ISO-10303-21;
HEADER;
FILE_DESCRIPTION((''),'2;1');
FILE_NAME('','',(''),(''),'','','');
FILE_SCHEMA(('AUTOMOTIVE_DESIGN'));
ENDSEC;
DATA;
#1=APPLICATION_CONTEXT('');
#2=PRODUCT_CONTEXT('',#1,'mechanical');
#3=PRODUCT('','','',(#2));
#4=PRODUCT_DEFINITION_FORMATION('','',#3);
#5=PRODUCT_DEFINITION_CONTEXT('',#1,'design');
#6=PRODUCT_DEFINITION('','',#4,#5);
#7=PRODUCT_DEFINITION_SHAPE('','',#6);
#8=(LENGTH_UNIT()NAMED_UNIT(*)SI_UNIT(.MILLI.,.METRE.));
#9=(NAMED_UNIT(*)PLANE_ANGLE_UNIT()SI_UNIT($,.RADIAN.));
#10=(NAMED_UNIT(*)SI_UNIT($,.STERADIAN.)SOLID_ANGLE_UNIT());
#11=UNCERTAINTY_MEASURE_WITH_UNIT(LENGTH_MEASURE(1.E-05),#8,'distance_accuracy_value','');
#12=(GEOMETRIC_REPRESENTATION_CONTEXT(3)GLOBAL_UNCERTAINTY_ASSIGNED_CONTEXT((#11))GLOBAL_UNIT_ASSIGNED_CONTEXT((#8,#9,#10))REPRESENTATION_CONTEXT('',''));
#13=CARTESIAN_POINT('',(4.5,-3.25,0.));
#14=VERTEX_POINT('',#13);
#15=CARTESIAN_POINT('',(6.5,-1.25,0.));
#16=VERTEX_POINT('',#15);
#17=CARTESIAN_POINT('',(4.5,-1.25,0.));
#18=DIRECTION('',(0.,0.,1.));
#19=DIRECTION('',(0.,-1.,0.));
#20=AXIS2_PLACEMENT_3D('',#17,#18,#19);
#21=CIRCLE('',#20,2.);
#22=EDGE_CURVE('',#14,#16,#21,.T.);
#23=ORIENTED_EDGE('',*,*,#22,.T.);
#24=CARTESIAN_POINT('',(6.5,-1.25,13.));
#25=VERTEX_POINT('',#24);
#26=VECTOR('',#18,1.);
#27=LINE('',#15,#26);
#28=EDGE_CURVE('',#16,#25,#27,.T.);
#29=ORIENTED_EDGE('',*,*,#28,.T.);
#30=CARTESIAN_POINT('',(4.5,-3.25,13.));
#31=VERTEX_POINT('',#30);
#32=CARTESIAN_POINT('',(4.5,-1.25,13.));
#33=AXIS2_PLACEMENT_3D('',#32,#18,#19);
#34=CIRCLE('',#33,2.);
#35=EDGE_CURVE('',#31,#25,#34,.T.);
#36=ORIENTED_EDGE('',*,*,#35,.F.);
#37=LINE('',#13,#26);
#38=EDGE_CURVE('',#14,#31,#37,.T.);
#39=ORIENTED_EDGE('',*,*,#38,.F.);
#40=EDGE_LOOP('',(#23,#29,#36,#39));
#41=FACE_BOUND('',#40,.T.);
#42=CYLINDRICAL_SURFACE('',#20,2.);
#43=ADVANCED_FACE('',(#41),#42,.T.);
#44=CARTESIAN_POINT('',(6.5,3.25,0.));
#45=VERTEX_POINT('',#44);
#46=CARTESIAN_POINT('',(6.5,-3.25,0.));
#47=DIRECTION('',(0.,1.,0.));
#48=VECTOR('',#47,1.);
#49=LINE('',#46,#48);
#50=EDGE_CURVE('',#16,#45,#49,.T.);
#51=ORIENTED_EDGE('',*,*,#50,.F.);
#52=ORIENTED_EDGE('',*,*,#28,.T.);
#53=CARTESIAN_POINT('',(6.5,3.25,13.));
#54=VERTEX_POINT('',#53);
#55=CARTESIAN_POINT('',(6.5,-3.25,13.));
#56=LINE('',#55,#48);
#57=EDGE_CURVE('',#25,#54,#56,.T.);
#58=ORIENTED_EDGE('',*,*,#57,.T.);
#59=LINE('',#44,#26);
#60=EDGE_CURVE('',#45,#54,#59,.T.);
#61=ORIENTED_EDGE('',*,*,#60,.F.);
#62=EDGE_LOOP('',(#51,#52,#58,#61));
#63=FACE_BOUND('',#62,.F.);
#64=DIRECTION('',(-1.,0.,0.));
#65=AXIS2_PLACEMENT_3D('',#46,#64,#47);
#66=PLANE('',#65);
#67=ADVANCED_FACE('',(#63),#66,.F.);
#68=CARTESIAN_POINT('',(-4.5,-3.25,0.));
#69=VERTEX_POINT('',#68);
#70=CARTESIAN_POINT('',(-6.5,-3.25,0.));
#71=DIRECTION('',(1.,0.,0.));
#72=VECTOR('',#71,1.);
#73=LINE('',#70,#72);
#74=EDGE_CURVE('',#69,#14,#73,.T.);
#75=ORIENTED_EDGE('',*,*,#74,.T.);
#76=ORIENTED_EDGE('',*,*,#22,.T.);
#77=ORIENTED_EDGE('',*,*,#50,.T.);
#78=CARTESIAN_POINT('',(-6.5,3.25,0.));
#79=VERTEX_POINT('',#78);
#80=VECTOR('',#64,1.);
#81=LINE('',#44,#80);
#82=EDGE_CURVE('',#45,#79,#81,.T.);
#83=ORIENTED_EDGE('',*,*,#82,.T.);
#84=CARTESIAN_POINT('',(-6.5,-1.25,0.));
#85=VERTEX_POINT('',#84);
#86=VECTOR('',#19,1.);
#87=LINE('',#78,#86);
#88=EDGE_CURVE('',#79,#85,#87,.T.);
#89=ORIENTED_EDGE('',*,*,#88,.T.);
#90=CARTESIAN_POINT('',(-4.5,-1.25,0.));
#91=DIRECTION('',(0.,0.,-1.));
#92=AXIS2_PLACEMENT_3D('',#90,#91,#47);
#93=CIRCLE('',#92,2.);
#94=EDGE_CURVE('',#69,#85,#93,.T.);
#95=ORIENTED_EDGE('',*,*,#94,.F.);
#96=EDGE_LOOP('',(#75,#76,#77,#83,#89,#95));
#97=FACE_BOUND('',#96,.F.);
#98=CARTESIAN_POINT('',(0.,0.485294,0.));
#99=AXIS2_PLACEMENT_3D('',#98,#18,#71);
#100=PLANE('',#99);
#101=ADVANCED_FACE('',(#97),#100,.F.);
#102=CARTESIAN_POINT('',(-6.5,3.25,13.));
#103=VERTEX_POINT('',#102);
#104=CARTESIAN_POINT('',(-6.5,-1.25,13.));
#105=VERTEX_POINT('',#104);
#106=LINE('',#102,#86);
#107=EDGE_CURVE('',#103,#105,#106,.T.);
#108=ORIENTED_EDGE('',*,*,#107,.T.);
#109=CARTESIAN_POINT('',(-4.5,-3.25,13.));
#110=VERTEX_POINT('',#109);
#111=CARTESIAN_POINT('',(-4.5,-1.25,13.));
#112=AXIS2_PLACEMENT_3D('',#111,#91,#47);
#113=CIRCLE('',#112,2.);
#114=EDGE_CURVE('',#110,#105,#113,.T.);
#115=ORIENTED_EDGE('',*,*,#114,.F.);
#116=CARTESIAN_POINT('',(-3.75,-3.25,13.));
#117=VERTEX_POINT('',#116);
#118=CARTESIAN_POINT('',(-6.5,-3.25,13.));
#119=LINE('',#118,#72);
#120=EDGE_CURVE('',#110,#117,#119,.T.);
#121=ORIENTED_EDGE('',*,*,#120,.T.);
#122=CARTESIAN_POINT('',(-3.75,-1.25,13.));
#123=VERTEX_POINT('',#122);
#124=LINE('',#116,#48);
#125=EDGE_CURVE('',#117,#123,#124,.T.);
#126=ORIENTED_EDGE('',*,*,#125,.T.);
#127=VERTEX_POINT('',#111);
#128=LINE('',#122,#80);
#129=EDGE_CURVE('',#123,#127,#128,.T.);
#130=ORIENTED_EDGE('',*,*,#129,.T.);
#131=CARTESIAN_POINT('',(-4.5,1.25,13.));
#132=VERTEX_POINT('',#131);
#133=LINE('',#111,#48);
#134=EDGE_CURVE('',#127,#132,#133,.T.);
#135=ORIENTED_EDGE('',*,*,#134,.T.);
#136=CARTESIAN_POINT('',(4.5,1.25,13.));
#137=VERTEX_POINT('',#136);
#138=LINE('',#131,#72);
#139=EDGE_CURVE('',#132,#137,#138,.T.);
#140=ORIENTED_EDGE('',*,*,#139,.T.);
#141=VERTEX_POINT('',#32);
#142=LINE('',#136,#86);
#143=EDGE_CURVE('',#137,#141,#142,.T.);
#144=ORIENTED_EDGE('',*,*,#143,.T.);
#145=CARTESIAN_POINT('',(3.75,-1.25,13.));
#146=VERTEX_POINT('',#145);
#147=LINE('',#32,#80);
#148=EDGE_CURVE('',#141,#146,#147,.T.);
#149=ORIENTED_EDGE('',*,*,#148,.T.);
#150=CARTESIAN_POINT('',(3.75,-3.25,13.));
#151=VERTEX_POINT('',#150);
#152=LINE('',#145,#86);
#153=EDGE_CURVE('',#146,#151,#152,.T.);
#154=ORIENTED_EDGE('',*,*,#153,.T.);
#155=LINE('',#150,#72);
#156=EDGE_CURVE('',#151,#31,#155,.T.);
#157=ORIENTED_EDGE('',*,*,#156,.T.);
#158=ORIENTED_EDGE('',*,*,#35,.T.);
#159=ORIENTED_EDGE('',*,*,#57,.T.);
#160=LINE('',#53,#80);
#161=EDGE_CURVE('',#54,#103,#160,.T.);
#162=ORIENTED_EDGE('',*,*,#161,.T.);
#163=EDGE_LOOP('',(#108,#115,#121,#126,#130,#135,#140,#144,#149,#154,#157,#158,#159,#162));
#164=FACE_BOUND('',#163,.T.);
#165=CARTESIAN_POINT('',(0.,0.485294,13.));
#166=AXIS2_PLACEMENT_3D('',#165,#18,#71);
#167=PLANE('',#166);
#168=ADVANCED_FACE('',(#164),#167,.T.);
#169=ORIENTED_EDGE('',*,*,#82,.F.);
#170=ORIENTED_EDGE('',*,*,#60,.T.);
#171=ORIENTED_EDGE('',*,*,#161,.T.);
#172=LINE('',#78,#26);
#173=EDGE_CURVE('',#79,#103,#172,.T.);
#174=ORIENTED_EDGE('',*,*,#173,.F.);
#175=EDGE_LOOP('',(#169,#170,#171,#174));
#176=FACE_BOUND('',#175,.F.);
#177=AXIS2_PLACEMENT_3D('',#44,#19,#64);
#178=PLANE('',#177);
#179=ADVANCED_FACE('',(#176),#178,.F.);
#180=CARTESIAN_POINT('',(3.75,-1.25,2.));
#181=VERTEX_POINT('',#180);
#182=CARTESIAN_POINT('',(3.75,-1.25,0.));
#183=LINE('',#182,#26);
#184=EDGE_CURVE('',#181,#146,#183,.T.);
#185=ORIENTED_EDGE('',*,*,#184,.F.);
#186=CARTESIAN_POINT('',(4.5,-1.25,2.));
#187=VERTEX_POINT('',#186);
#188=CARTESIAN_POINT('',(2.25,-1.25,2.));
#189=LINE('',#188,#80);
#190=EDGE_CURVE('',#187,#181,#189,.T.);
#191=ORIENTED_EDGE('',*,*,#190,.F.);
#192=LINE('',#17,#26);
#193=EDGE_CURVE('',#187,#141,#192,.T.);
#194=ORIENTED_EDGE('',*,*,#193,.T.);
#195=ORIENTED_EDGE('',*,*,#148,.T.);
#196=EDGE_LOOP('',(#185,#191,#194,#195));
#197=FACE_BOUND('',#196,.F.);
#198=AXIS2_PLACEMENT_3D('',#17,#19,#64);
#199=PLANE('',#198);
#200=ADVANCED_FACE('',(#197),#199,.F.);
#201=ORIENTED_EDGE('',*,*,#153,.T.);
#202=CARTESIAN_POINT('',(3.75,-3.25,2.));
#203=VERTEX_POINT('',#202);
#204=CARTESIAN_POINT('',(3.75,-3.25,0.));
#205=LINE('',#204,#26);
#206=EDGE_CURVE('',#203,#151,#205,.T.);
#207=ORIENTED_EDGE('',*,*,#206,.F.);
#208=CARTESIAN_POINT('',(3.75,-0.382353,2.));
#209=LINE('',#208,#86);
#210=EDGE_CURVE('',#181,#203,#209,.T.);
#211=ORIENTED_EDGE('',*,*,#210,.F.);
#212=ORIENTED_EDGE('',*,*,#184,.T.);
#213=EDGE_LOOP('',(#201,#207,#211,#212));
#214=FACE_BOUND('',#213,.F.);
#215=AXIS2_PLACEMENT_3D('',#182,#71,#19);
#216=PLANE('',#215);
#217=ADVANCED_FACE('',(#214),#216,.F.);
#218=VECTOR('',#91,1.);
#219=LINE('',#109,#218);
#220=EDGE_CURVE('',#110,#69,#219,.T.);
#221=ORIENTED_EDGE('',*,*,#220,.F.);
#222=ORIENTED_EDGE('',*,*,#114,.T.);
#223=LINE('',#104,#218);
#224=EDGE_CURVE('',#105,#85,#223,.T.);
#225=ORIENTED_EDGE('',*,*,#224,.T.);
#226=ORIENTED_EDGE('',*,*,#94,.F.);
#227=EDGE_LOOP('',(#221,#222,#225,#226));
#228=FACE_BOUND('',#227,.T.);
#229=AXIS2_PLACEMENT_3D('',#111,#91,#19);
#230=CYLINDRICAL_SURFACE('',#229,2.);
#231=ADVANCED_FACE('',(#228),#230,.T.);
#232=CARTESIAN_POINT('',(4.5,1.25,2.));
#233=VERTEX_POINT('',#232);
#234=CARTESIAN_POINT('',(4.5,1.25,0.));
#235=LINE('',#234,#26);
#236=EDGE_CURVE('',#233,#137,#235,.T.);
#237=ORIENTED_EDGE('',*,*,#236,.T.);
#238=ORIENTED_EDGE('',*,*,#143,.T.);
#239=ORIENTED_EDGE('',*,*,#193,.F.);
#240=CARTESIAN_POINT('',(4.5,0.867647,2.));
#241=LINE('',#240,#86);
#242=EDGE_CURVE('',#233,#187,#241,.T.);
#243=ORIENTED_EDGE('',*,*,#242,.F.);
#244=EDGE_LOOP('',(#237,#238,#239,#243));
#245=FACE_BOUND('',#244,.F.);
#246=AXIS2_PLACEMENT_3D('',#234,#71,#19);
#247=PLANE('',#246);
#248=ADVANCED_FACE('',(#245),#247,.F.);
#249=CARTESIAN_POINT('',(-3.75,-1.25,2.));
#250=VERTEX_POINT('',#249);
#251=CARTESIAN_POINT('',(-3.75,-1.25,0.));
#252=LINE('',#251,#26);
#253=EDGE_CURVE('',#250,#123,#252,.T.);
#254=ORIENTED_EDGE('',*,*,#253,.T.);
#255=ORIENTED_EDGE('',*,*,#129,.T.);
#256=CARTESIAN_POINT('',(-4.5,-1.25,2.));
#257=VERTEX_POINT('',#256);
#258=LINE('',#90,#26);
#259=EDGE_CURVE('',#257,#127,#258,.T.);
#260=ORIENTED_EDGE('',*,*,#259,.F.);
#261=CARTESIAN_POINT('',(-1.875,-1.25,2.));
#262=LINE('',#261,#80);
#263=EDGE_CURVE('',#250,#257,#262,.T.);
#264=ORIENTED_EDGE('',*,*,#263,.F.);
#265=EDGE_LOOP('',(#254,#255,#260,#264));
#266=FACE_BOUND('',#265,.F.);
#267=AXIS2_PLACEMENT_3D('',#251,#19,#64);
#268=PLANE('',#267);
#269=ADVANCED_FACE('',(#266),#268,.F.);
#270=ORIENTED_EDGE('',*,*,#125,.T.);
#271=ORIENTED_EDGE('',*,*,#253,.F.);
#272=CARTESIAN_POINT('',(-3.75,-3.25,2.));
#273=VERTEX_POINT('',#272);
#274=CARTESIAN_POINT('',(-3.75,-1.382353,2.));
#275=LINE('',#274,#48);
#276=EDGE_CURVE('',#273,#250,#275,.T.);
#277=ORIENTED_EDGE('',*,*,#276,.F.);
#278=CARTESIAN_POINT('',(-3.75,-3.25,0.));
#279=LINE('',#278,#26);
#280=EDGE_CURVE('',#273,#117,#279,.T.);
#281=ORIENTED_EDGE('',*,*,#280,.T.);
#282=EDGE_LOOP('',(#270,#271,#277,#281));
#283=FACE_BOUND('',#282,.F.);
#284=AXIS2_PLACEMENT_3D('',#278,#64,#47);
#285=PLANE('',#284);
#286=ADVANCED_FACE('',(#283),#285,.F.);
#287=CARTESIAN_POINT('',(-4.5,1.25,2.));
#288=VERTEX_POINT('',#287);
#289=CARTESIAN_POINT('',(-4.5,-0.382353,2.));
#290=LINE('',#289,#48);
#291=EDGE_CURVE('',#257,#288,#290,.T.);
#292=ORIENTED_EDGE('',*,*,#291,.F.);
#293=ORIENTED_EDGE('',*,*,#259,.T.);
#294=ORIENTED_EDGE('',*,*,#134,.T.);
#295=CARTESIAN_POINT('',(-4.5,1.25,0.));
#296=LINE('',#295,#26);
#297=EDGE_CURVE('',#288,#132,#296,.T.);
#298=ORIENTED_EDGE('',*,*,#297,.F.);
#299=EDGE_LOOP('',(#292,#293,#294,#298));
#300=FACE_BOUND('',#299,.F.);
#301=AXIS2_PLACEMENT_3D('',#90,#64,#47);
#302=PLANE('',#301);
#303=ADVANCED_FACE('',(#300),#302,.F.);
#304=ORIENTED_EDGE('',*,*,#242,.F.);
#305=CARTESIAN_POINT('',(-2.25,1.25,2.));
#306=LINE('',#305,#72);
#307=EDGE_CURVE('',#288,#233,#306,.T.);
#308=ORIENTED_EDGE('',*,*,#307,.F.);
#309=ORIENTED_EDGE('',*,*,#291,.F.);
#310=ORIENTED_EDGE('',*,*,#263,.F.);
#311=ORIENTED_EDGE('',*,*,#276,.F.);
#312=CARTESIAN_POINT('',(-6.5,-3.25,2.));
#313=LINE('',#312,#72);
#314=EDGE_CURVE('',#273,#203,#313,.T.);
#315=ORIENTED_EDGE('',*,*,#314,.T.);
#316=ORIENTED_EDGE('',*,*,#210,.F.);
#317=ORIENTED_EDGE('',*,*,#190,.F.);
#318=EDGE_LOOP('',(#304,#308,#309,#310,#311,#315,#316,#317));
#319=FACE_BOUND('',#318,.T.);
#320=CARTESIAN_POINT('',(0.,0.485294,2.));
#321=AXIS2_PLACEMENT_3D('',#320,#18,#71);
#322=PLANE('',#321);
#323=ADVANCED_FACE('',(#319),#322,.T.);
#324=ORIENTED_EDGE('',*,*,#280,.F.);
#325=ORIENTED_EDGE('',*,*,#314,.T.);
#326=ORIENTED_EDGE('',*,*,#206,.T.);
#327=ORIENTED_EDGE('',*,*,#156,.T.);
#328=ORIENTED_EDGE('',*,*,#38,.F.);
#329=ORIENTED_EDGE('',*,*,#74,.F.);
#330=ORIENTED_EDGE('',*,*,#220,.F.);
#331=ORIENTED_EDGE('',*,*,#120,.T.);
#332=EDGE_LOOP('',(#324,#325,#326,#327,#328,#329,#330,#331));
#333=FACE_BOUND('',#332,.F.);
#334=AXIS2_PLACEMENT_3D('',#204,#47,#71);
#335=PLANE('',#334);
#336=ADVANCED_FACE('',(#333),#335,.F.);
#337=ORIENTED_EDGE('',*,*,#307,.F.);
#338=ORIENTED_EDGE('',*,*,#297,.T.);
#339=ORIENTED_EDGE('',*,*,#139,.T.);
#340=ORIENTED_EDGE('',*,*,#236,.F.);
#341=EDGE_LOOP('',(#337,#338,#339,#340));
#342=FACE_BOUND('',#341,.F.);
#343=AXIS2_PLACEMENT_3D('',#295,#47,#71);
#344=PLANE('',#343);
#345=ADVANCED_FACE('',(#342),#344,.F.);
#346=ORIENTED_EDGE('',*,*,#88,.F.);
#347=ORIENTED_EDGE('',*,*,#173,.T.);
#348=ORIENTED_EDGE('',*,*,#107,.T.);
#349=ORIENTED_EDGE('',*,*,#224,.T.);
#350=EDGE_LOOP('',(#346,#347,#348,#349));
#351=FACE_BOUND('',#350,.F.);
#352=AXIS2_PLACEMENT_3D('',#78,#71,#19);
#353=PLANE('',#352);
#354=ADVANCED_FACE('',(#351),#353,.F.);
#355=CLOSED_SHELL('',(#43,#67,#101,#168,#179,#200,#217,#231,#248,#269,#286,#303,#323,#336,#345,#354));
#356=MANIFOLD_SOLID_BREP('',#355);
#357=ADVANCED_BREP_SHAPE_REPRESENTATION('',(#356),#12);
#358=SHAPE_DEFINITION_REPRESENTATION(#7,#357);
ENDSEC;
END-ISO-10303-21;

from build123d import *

# Parameters (mm, degrees)
F1_DEPTH = 13
F0_W     = 7.5
F0_H     = 2
F2_DEPTH = 2
F3_R     = 2


with BuildPart() as f1:
    # F0 (on Top) → F1 (new body)
    with BuildSketch(Plane.XY):
        Polygon((3.75, -3.25), (6.5, -3.25), (6.5, 3.25), (-6.5, 3.25), (-6.5, -3.25), (-3.75, -3.25), (-3.75, -1.25), (-4.5, -1.25), (-4.5, 1.25), (4.5, 1.25), (4.5, -1.25), (3.75, -1.25), align=None)
    extrude(amount=F1_DEPTH)

    # F0 (on Top) → F2 (join)
    with BuildSketch(Plane.XY):
        Polygon((3.75, -3.25), (6.5, -3.25), (6.5, 3.25), (-6.5, 3.25), (-6.5, -3.25), (-3.75, -3.25), (-3.75, -1.25), (-4.5, -1.25), (-4.5, 1.25), (4.5, 1.25), (4.5, -1.25), (3.75, -1.25), align=None)
        Polygon((-3.75, -1.25), (3.75, -1.25), (4.5, -1.25), (4.5, 1.25), (-4.5, 1.25), (-4.5, -1.25), align=None)
        with Locations((0, -2.25)):
            Rectangle(F0_W, F0_H)
    extrude(amount=F2_DEPTH)

    # F3
    f3_edges = [f1.edges().sort_by_distance(p)[0] for p in [
        (-6.5, -3.25, 6.5),
        (6.5, -3.25, 6.5),
    ]]
    fillet(f3_edges, radius=F3_R)


solid = f1.part
